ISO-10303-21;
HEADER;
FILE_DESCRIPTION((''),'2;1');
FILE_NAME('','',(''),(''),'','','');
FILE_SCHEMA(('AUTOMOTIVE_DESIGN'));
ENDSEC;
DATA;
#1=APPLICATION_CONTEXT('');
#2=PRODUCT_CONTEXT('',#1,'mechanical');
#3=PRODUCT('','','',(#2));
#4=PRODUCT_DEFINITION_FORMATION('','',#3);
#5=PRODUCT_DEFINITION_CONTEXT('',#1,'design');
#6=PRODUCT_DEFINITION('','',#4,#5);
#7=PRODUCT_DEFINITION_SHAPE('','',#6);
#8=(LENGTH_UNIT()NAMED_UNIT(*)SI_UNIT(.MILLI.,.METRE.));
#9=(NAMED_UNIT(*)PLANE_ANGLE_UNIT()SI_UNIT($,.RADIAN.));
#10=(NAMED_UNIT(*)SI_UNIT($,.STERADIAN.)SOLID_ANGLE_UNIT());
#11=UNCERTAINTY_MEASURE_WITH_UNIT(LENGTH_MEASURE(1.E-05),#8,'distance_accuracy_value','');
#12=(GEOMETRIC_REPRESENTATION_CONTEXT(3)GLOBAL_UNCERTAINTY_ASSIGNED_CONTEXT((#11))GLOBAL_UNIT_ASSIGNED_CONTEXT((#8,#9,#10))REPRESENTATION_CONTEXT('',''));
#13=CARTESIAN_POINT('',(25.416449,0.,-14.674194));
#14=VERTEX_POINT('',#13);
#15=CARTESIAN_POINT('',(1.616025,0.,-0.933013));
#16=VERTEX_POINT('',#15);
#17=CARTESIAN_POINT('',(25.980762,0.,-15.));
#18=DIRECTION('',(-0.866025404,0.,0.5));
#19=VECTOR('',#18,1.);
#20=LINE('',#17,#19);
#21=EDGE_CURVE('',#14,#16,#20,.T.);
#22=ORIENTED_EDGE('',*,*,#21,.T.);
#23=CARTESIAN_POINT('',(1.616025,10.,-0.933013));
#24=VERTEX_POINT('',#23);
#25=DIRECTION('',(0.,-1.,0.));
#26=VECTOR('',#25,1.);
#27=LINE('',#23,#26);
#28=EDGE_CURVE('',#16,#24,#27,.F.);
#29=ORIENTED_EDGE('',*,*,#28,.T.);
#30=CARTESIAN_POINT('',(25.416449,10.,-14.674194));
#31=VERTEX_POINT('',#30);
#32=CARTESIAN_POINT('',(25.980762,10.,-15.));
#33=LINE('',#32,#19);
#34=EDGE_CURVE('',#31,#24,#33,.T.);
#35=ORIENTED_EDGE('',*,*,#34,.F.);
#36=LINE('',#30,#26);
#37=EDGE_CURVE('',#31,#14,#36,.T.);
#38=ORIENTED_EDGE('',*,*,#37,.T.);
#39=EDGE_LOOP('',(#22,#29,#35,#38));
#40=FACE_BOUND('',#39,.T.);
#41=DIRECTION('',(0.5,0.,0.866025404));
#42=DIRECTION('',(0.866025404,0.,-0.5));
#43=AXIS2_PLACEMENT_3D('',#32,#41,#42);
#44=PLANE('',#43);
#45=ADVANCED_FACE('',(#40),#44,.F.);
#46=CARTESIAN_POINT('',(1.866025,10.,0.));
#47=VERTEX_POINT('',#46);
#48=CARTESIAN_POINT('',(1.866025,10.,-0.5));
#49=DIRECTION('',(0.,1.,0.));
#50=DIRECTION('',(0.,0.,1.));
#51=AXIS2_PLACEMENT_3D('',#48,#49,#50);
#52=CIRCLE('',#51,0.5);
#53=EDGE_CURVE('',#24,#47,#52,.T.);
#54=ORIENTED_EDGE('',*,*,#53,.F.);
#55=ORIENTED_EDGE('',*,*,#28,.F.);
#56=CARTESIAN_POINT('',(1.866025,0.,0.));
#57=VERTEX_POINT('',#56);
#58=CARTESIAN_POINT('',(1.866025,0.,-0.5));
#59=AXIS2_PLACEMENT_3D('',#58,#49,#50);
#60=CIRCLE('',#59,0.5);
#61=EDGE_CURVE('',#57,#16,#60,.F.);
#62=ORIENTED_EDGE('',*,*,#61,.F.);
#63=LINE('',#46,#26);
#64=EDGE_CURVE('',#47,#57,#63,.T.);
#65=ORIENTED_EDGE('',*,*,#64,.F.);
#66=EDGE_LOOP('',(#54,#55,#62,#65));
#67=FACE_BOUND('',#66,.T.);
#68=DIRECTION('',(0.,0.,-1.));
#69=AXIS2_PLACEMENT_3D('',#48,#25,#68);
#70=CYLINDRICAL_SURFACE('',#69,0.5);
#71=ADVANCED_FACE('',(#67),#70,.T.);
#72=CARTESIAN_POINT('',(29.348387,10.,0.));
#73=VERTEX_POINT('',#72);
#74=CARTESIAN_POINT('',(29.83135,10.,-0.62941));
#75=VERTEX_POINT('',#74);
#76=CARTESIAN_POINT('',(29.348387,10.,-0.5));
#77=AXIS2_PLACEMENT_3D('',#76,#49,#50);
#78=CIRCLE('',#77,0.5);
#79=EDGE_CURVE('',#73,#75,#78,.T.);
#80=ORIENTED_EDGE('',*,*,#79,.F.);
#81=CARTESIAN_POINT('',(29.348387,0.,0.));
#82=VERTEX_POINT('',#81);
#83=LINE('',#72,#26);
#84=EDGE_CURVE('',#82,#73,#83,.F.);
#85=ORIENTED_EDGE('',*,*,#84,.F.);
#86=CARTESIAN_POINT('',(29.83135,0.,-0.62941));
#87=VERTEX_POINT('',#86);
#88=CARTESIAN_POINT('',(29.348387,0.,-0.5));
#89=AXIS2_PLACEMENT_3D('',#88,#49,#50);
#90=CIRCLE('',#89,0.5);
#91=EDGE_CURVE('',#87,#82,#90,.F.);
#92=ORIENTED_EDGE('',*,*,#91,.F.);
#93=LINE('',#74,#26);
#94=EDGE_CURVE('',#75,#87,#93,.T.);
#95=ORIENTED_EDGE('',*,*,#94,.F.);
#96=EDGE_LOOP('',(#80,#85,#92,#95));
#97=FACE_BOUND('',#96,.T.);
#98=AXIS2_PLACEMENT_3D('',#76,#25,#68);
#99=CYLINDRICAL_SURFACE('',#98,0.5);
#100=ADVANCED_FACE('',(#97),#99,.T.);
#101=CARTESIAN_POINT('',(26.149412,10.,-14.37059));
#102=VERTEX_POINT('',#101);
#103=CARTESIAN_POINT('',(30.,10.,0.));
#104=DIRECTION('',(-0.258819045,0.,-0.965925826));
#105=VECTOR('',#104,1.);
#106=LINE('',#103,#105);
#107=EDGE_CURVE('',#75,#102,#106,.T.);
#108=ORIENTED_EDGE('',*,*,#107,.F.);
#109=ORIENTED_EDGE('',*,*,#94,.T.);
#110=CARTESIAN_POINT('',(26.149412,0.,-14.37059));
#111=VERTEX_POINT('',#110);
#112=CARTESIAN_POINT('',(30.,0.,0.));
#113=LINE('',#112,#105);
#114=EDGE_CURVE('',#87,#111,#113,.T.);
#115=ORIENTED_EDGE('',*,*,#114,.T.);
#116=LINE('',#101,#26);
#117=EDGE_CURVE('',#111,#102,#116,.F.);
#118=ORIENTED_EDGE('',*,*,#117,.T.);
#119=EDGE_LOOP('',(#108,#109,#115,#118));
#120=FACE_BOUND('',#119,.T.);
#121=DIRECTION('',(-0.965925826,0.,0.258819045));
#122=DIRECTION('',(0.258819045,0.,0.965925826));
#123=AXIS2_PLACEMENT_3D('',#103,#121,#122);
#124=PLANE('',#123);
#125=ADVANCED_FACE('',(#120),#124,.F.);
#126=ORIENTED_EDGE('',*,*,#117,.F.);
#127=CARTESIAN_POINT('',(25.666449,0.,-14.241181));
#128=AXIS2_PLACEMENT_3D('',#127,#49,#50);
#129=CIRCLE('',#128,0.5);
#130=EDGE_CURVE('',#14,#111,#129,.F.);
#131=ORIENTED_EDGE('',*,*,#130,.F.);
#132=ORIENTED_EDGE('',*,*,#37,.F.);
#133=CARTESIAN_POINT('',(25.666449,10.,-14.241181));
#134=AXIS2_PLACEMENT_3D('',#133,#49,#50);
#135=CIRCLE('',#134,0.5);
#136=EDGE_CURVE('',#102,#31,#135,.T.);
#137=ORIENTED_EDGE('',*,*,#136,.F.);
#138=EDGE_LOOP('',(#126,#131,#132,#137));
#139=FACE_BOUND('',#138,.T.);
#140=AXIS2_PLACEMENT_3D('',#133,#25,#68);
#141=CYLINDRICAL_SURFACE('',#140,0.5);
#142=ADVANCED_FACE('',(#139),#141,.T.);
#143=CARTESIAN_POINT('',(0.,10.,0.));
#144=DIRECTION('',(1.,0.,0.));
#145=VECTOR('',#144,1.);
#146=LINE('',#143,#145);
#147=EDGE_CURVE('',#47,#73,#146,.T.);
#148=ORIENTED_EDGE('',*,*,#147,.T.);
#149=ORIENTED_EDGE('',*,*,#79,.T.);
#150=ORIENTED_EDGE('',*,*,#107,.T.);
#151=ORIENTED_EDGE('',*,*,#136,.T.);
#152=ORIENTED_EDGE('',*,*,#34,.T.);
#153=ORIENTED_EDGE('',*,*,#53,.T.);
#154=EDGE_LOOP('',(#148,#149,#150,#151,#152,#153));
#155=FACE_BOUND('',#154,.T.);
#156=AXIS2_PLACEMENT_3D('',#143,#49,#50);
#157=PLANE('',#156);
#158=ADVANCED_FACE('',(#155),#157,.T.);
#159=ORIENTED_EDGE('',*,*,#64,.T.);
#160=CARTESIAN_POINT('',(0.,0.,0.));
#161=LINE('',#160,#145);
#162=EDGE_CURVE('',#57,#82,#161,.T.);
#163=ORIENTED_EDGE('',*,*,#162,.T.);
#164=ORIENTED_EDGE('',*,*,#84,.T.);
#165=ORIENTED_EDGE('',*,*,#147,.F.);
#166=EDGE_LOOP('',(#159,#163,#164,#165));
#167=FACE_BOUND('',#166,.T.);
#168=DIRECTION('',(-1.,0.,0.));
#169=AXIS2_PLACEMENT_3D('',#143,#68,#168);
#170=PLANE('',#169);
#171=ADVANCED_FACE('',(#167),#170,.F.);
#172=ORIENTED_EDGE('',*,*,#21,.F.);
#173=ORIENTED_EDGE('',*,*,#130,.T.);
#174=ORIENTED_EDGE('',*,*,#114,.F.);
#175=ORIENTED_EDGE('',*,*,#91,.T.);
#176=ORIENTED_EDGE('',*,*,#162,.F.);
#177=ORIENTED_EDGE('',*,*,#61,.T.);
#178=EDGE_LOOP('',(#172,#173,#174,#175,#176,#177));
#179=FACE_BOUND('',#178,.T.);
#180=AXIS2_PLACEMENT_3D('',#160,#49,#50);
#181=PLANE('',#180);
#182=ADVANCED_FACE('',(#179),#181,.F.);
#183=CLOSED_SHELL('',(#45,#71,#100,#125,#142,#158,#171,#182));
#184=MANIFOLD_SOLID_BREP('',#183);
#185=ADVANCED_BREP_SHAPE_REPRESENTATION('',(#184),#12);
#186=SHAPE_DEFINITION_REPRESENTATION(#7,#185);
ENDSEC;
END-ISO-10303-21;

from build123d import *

# Parameters (mm, degrees)
BOSS_EXTRUDE1_DEPTH = 10
FILLET1_R           = 0.5


with BuildPart() as part:
    # Sketch1 → Boss-Extrude1 (new body)
    with BuildSketch(Plane(origin=(0, 0, 0), x_dir=(1, 0, 0), z_dir=(0, 1, 0))):
        Polygon((0, 0), (30, 0), (25.980762114, 15), align=None)
    extrude(amount=BOSS_EXTRUDE1_DEPTH)

    # Fillet1
    fillet1_edges = [part.edges().sort_by_distance(p)[0] for p in [
        (30, 5, 0),
        (0, 5, 0),
        (25.980762114, 5, -15),
    ]]
    fillet(fillet1_edges, radius=FILLET1_R)


solid = part.part
